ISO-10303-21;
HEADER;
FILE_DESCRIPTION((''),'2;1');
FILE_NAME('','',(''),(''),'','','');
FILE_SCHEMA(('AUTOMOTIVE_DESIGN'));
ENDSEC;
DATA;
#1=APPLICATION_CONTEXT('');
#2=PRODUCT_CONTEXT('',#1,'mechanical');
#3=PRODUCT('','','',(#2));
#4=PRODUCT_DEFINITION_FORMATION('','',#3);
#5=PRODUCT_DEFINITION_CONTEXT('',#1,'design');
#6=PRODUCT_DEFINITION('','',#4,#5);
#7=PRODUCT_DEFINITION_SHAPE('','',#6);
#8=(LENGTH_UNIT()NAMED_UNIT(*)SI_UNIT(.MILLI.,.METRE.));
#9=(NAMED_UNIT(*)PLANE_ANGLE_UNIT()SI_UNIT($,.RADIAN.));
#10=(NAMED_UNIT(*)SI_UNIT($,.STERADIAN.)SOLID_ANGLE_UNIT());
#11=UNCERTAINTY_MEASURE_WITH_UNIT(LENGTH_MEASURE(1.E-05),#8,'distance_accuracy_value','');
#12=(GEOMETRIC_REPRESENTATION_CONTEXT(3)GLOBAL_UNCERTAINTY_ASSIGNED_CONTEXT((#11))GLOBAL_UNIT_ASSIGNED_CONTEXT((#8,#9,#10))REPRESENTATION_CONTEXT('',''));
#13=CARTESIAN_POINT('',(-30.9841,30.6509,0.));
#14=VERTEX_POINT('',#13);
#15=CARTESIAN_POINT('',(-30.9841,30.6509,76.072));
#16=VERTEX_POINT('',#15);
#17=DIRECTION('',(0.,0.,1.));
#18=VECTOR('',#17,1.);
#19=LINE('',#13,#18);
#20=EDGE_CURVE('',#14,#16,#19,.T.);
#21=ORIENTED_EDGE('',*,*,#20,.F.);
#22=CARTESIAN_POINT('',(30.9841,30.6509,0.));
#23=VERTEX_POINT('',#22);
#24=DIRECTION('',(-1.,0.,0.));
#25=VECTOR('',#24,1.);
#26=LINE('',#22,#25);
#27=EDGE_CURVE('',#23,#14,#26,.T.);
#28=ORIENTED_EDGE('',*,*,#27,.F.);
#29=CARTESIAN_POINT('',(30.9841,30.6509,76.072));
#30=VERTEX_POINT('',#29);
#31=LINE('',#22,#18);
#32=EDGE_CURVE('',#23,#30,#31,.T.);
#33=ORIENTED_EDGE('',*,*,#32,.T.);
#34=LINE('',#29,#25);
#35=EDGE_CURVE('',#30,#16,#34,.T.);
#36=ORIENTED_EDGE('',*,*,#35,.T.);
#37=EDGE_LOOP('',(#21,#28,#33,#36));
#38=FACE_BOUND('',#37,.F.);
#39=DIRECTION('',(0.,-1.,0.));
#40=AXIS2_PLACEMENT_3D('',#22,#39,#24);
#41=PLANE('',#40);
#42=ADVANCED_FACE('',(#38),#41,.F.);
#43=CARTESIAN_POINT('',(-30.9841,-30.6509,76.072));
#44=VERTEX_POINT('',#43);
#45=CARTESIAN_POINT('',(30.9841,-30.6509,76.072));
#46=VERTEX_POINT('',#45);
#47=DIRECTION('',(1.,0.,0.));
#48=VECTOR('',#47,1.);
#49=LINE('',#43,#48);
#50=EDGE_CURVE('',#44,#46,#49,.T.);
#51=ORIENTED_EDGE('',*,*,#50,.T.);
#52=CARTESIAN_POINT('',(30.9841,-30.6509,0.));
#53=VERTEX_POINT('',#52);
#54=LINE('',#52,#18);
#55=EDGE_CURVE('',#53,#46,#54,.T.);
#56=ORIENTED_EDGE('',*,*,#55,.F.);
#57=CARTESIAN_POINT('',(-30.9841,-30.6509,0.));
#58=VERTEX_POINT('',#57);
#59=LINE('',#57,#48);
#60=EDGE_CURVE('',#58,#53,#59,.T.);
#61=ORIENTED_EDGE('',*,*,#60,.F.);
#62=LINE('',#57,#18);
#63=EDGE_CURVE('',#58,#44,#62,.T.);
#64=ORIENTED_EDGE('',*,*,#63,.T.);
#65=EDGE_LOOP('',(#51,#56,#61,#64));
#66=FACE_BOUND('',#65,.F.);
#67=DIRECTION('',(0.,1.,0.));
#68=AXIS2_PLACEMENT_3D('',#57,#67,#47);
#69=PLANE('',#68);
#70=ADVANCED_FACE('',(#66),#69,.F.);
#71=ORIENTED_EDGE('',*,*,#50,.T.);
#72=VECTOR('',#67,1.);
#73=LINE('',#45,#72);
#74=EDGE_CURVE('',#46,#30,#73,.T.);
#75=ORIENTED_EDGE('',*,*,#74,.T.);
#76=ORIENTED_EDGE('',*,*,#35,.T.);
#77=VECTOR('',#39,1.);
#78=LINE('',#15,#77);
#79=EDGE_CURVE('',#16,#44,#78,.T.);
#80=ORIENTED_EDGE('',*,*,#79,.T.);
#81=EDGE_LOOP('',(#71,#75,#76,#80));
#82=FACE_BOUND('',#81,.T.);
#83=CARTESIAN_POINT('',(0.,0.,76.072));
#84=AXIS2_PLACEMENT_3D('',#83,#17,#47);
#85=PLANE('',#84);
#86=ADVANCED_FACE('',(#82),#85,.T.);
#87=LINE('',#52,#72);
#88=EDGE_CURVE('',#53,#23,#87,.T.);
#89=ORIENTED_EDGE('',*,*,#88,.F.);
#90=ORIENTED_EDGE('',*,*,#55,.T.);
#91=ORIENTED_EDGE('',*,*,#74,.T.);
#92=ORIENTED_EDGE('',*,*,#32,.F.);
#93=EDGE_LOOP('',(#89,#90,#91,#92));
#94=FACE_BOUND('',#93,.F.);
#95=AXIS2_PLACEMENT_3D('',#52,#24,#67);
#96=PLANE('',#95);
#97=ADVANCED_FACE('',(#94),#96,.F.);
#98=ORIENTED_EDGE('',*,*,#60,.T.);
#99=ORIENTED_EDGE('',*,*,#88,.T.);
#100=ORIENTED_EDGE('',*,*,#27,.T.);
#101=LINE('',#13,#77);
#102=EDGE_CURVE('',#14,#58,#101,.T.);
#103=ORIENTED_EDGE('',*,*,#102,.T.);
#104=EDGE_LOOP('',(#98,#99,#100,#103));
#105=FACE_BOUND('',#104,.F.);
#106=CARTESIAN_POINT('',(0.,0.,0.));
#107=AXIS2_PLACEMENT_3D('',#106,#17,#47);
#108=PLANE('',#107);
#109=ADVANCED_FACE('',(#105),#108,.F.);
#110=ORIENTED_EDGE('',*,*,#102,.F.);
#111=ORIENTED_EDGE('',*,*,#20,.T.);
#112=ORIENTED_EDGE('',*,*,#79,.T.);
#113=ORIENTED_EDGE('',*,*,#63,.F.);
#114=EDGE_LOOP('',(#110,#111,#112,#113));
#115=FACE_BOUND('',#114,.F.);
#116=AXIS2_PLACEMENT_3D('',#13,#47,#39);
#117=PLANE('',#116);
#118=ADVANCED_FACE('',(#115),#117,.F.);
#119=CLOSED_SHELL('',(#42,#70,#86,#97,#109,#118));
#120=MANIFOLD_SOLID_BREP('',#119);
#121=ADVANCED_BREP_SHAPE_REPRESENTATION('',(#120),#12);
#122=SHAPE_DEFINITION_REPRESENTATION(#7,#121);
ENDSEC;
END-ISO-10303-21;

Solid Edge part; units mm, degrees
sketch "Sketch1" plane through (0, 0, 0) normal (0, 0, 1) x (1, 0, 0)
  line L0 (-30.9841, -30.6509) -> (30.9841, -30.6509)
  line L1 (30.9841, -30.6509) -> (30.9841, 30.6509)
  line L2 (30.9841, 30.6509) -> (-30.9841, 30.6509)
  line L3 (-30.9841, 30.6509) -> (-30.9841, -30.6509)
extrude "Protrusion1" add sketch "Sketch1" along normal blind 76.072
properties material "우드, 벚나무"
